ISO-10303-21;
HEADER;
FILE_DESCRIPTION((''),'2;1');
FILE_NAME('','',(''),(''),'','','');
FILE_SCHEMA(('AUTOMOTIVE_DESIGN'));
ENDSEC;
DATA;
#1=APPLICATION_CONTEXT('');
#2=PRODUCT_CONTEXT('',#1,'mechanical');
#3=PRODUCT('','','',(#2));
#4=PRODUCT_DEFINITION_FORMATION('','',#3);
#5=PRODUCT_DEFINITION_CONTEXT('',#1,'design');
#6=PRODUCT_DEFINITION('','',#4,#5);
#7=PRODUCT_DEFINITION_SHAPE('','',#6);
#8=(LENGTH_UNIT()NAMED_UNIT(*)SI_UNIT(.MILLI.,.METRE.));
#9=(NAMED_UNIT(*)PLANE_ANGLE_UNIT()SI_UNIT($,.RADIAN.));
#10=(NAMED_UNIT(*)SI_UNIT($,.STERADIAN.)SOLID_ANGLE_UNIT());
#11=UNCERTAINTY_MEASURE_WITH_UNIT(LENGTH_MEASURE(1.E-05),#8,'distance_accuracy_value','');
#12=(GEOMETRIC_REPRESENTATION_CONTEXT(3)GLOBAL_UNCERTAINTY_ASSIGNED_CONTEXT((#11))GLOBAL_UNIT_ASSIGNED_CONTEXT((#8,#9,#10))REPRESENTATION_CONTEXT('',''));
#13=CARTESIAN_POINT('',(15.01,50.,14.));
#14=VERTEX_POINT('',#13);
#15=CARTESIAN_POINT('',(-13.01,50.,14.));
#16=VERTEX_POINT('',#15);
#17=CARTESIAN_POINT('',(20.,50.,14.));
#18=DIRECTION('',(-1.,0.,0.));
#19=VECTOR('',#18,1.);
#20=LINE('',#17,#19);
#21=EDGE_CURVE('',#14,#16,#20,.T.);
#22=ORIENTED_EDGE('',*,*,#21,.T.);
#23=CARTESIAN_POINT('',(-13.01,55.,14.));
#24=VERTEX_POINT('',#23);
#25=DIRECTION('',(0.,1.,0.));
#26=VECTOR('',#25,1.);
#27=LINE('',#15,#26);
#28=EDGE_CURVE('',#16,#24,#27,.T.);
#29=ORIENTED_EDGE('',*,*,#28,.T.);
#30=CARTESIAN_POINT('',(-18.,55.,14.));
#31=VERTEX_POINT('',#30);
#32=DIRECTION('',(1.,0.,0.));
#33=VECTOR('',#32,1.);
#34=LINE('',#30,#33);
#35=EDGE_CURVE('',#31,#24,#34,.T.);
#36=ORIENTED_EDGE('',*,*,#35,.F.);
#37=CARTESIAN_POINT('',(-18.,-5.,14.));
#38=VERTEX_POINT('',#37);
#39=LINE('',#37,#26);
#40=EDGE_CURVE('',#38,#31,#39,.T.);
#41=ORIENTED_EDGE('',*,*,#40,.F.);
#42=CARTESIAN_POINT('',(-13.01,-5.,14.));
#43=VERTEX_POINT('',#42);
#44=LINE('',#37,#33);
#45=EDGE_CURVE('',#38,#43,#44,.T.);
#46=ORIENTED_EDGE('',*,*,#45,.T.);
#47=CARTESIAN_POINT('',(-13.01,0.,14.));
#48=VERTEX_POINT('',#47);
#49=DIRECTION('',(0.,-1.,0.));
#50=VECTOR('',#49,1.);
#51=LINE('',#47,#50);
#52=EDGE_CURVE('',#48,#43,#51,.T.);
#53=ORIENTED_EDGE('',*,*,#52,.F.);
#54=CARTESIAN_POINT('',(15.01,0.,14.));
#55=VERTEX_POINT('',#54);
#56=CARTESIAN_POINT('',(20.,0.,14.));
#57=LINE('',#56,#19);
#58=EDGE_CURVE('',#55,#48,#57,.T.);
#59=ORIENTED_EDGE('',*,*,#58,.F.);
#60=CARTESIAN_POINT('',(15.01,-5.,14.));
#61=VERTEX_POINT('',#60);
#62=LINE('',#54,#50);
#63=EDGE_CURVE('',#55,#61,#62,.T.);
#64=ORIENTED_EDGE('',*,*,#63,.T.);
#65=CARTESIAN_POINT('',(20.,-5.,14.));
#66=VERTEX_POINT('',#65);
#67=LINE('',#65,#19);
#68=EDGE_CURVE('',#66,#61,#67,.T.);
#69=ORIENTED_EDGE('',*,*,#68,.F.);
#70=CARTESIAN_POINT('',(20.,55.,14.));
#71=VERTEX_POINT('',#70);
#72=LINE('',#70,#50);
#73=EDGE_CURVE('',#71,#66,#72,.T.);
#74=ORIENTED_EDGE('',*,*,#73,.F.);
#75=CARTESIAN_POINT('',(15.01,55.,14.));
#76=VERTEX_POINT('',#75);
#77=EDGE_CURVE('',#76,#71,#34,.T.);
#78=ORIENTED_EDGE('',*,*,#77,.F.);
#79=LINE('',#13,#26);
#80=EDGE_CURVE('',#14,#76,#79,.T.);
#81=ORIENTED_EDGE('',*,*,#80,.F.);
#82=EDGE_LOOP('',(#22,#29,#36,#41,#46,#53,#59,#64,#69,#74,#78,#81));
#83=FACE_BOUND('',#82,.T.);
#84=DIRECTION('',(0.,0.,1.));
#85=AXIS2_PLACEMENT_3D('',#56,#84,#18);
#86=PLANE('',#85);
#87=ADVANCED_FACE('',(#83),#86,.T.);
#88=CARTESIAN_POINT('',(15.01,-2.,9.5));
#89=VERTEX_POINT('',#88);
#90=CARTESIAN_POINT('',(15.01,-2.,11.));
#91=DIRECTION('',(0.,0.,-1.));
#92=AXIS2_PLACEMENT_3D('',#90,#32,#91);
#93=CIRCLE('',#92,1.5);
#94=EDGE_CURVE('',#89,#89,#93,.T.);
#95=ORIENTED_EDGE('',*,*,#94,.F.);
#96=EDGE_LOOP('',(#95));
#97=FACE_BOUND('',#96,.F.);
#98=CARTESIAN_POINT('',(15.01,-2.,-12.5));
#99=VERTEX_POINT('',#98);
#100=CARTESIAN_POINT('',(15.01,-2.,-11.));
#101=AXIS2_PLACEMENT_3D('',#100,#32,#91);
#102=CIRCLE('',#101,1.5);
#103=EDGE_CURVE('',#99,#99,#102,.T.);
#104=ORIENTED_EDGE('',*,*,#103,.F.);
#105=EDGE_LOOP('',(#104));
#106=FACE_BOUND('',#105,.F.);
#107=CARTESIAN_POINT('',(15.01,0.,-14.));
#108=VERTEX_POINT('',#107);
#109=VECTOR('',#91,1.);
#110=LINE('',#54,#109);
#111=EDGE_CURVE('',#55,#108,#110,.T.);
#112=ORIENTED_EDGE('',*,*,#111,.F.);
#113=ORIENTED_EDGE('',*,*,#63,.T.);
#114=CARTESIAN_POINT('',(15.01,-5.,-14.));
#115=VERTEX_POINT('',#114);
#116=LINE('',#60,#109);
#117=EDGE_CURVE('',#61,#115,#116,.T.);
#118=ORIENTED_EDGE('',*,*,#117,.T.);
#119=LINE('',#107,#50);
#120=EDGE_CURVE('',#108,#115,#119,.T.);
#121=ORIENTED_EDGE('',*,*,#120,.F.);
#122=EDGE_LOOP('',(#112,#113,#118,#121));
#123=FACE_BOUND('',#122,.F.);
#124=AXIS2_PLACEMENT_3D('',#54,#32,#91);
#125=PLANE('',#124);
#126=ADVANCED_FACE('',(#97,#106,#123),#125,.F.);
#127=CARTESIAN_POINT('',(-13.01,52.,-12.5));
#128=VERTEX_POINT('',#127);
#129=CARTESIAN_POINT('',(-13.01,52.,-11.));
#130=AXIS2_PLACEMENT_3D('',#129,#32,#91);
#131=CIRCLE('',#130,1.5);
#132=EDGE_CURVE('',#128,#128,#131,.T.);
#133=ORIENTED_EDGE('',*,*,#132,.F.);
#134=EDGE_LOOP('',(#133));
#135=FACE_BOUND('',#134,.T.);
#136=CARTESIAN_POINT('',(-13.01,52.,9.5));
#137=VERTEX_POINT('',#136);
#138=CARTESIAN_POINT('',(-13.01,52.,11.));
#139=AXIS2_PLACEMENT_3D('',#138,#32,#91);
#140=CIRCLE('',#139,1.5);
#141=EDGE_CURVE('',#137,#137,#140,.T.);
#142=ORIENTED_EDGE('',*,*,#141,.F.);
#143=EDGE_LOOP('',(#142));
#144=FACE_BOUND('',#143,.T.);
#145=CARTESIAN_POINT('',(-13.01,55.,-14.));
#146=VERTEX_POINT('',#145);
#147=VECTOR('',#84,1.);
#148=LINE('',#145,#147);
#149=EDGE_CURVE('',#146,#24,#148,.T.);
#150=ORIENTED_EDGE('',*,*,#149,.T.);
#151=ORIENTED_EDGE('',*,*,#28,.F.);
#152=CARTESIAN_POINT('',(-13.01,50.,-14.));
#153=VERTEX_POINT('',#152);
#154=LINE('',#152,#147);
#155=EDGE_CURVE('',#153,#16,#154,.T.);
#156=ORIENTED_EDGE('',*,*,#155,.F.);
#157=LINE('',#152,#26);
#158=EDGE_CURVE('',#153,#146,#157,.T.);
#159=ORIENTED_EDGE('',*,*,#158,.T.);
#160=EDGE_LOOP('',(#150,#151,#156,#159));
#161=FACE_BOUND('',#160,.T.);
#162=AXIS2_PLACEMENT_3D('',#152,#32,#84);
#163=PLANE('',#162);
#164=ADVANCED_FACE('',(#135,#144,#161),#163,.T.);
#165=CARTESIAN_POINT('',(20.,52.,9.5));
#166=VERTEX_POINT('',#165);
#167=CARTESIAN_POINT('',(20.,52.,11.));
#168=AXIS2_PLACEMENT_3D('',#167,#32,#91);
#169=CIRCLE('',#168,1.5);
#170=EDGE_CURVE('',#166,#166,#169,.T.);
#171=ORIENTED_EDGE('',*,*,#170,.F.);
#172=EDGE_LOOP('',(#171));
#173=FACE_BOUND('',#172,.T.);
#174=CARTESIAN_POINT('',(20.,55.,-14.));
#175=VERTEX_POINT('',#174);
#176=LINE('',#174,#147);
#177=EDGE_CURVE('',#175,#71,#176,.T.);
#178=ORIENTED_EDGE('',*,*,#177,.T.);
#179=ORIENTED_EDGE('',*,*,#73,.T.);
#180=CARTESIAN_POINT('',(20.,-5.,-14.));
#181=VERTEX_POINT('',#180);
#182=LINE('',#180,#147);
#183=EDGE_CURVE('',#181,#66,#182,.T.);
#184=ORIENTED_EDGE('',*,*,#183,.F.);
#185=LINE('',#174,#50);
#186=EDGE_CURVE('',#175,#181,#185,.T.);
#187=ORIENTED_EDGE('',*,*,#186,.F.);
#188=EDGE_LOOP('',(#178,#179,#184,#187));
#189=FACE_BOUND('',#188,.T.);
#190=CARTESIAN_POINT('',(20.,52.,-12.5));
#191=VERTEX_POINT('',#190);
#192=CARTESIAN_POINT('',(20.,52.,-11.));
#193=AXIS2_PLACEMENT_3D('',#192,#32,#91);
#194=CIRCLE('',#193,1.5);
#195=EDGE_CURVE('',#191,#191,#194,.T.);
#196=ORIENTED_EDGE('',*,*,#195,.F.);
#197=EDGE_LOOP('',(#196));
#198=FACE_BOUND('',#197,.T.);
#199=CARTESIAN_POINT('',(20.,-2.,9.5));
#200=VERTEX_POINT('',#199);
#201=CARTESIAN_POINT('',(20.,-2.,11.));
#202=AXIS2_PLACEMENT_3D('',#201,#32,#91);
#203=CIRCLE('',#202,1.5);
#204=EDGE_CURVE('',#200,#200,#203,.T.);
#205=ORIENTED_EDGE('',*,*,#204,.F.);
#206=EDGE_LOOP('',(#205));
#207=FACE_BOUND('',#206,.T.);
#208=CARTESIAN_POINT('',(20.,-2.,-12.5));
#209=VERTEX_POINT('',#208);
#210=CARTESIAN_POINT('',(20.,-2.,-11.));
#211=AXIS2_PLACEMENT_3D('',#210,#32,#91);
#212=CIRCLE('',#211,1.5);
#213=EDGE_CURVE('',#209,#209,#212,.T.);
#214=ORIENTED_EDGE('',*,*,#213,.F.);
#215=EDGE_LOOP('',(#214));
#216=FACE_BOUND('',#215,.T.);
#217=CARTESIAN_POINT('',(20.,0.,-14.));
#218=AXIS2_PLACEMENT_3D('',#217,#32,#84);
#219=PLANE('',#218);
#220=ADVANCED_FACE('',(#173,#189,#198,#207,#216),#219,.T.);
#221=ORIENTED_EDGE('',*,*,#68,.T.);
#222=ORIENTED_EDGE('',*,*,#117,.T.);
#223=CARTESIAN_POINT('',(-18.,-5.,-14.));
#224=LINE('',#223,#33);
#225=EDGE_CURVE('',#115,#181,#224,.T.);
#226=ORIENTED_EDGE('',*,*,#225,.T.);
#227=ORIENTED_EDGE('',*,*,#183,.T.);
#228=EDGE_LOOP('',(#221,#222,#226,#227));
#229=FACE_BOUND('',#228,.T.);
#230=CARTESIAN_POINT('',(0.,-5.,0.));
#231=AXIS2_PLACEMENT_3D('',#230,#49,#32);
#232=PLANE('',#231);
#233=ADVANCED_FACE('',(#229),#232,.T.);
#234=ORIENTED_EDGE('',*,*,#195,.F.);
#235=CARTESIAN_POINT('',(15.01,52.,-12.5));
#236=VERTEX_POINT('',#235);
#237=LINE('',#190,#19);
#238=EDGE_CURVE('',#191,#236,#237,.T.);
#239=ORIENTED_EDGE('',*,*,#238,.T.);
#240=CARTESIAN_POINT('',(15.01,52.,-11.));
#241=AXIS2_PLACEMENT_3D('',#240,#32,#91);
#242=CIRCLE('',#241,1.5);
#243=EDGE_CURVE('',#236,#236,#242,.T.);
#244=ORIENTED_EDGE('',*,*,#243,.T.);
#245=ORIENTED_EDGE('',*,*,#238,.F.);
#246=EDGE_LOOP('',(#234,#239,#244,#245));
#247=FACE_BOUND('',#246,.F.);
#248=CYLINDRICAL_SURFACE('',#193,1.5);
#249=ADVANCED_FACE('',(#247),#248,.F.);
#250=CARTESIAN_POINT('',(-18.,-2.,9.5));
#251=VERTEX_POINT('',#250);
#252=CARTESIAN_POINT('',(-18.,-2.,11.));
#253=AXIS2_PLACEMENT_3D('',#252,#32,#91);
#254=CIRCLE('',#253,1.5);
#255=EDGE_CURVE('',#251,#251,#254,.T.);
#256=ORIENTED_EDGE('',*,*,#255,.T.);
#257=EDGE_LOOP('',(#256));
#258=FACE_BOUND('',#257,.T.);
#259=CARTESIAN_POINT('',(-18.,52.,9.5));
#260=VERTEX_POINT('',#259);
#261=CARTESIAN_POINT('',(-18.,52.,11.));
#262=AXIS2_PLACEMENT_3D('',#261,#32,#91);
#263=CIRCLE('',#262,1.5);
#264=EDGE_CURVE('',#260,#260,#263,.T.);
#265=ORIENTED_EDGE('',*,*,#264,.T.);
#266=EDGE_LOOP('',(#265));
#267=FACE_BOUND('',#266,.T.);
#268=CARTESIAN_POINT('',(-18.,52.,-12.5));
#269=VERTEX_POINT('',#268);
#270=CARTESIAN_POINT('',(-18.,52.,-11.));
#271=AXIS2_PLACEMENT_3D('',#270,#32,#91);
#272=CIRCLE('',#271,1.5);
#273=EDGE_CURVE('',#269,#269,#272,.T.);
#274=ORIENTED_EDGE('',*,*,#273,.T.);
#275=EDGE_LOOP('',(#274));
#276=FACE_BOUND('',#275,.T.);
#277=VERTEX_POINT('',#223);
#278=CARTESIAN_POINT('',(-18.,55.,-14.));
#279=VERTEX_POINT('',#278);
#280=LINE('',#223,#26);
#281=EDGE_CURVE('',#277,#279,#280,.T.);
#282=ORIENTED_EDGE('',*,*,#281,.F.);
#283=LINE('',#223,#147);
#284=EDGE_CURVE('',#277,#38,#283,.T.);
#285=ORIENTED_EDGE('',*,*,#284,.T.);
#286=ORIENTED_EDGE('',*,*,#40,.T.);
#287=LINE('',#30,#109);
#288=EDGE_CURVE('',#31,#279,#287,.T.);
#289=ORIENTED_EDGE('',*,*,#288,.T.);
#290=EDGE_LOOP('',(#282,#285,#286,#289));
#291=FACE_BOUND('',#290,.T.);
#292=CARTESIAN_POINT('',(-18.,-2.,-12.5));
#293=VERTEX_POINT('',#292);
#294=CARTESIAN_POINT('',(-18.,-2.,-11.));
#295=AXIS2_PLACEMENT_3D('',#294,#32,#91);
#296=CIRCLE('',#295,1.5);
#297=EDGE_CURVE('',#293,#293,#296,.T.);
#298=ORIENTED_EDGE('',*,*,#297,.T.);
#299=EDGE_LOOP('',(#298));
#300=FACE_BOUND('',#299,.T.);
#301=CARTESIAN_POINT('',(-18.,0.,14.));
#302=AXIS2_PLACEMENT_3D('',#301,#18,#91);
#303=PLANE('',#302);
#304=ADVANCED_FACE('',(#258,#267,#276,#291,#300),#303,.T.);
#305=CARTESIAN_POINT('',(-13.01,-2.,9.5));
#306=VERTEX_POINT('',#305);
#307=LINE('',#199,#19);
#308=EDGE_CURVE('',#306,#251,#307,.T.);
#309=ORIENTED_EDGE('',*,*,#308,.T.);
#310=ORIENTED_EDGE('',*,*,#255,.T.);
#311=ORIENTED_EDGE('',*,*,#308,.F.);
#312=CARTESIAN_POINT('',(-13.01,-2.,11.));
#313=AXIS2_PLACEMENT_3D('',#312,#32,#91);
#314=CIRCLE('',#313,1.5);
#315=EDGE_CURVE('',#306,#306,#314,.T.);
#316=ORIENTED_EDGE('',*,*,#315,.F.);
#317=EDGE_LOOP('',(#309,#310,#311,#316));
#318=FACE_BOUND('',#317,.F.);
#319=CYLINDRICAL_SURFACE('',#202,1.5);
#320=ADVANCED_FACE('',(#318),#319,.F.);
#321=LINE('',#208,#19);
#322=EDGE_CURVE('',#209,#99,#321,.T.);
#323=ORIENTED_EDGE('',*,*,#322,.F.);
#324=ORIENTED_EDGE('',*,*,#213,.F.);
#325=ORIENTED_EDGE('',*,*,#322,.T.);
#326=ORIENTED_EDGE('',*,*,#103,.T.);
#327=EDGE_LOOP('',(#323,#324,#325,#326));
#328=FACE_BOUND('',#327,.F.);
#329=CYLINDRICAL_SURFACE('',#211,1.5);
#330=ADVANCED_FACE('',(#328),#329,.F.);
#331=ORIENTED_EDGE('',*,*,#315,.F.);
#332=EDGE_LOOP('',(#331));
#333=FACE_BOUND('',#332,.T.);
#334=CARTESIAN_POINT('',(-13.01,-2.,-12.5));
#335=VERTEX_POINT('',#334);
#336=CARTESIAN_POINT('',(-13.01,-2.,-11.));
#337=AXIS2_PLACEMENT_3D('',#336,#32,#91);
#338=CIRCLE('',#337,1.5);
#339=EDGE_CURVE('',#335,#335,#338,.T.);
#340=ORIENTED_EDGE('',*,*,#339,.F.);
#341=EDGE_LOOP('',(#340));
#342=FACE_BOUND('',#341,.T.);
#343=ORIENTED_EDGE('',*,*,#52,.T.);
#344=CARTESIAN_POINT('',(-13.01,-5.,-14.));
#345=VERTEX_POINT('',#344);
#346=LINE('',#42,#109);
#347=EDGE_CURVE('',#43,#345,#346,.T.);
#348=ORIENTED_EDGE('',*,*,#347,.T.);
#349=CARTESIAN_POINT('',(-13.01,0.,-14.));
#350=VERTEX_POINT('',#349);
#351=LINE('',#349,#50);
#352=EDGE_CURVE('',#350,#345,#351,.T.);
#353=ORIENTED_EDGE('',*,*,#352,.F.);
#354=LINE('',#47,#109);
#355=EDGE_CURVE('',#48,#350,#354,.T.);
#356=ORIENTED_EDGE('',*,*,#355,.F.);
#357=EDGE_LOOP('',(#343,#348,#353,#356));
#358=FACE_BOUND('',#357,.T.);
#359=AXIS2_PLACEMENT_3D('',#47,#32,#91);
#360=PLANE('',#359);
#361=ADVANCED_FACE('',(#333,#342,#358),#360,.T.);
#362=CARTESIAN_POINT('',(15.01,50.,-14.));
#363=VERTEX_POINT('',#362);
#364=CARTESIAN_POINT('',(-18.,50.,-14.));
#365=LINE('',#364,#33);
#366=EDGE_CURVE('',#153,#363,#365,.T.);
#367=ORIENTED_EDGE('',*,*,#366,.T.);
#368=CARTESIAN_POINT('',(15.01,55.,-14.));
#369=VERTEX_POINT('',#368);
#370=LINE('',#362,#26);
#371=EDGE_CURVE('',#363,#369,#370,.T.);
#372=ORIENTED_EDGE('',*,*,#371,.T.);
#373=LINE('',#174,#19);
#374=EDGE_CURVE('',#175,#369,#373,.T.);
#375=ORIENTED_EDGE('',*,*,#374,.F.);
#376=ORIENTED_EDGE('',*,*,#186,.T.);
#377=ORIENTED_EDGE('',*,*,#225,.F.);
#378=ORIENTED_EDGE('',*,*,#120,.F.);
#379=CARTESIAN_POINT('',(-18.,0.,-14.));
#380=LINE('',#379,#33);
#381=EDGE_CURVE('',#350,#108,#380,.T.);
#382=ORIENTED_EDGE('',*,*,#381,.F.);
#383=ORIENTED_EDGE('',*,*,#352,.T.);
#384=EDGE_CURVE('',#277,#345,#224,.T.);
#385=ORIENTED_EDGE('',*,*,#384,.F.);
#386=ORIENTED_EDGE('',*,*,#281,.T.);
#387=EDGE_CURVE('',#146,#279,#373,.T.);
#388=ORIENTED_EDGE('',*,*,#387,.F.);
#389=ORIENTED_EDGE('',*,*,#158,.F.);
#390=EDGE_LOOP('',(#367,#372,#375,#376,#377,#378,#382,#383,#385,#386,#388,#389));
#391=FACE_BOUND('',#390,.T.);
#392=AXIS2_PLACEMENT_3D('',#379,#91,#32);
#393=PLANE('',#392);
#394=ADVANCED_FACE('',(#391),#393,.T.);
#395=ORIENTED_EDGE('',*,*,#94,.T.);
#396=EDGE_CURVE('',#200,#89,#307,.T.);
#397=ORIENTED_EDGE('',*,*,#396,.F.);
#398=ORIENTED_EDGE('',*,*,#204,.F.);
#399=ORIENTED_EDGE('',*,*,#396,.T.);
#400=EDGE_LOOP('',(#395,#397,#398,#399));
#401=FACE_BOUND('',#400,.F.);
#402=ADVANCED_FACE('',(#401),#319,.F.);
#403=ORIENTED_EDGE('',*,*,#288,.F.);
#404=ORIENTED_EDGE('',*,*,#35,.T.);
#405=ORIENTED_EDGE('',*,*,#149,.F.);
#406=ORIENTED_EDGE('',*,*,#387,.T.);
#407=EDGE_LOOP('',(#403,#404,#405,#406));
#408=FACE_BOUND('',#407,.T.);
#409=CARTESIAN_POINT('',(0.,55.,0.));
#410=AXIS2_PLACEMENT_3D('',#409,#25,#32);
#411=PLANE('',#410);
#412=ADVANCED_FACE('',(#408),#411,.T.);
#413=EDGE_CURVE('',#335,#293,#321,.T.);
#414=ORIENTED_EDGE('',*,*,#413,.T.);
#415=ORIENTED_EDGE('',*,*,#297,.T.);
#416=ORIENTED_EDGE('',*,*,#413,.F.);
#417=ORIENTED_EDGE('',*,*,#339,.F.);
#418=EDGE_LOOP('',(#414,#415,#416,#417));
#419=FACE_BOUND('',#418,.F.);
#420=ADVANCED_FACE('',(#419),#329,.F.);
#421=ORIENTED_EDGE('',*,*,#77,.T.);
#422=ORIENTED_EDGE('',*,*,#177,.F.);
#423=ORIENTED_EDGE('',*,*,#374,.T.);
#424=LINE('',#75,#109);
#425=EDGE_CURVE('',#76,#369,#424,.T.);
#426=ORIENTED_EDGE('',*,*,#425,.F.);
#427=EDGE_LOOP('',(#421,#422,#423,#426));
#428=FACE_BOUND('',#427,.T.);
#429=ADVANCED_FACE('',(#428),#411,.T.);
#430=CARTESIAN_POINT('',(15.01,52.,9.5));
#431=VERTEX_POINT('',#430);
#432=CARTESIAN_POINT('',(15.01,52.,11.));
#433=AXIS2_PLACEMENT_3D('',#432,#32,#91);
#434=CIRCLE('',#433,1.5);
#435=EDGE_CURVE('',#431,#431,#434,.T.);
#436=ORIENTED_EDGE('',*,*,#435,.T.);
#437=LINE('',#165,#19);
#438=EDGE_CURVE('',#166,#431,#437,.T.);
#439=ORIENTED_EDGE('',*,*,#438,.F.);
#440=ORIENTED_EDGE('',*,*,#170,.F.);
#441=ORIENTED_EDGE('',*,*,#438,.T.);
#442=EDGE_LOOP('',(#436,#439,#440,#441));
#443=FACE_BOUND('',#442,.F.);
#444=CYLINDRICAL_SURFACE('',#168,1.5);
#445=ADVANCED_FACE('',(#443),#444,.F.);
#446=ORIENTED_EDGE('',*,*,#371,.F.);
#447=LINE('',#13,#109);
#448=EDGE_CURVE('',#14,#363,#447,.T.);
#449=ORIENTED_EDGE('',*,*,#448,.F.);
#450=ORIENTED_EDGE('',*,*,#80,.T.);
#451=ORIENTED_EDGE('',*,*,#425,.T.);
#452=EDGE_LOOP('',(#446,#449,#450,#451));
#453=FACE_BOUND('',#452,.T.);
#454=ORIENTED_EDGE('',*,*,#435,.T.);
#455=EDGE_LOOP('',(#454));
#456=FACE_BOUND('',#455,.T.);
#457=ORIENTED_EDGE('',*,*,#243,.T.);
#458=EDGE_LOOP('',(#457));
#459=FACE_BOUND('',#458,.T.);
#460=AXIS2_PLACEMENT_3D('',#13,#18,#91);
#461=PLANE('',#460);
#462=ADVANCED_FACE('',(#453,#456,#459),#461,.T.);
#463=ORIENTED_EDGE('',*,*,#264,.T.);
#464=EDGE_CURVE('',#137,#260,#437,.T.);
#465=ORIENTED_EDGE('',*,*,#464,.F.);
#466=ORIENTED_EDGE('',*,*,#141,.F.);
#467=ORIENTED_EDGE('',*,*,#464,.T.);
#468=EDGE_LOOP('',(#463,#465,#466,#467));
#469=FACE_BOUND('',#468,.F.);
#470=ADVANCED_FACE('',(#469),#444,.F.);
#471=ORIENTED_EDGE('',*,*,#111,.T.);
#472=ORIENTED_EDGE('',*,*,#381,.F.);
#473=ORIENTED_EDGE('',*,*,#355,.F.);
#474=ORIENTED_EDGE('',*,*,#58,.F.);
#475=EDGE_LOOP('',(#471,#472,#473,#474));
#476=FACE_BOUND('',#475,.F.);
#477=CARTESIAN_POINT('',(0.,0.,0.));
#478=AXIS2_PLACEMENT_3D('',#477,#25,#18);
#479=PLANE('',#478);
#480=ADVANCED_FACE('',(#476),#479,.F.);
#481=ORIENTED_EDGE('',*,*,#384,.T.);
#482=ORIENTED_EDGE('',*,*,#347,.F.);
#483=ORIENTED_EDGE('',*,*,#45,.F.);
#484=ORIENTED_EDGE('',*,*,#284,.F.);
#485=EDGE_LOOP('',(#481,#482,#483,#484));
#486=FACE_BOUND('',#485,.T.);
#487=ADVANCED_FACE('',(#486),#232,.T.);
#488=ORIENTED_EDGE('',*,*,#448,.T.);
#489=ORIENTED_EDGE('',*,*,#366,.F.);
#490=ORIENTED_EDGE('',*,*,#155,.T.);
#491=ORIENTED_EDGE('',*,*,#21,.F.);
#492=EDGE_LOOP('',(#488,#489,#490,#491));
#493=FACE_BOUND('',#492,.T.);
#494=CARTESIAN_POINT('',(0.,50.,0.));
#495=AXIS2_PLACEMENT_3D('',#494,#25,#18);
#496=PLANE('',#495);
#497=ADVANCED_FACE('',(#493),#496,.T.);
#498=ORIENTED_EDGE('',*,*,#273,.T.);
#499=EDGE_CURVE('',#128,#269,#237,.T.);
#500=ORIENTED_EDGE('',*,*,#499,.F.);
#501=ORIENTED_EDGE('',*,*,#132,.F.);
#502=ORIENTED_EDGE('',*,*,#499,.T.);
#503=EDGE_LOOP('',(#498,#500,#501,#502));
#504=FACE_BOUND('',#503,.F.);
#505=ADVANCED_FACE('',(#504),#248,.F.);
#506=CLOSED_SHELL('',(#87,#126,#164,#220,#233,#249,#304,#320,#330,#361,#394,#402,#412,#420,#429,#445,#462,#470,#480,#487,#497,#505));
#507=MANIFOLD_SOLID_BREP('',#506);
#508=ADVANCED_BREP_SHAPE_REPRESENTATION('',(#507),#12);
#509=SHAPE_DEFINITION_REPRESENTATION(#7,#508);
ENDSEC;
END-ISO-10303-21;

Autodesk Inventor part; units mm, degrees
ref_plane "YZ Plane" through (0, 0, 0) normal (1, 0, 0) x (0, 1, 0)
ref_plane "XZ Plane" through (0, 0, 0) normal (0, 1, 0) x (-1, 0, 0)
ref_plane "XY Plane" through (0, 0, 0) normal (0, 0, 1) x (1, 0, 0)
sketch "스케치1" plane through (0, 0, 0) normal (0, 1, 0) x (-1, 0, 0)
  line L0 (18, -14) -> (-20, -14)
  line L1 (-20, -14) -> (-20, 14)
  line L2 (-20, 14) -> (18, 14)
  line L3 (18, 14) -> (18, -14)
  point P0 (0, 0)
  dimension "d0" = 28
  dimension "d1" = 14
  dimension "d2" = 38
  dimension "d3" = 18
extrude "돌출1" add sketch "스케치1" along normal blind 50
sketch "스케치2" plane through (0, 50, 0) normal (0, 1, 0) x (1, 0, 0)
  line L0 (20, 14) -> (-18, 14) projected
  line L1 (-18, -14) -> (20, -14) projected
  line L2 (-18, 14) -> (-13.01, 14)
  line L3 (-13.01, 14) -> (-13.01, -14)
  line L4 (-13.01, -14) -> (-18, -14)
  line L5 (-18, -14) -> (-18, 14)
  line L6 (20, -14) -> (15.01, -14)
  line L7 (15.01, -14) -> (15.01, 14)
  line L8 (15.01, 14) -> (20, 14)
  line L9 (20, 14) -> (20, -14)
  point P0 (0, 0)
  dimension "d6" = 4.99
  dimension "d7" = 4.99
extrude "돌출2" add sketch "스케치2" along normal blind 5 contours L9 L1 L7 L0 | L3 L1 L5 L0
sketch "스케치4" plane through (20, 0, 14) normal (1, 0, 0) x (0, 0, -1)
  circle A0 centre (3, 52) radius 1.5
  circle A1 centre (25, 52) radius 1.5
  line L0 (0, 55) -> (28, 55) projected
  line L1 (28, 0) -> (28, 55) projected
  line L2 (0, 0) -> (0, 55) projected
  point P0 (14, 0)
  dimension "d24" = 3
  dimension "d25" = 3
  dimension "d26" = 3
  dimension "d27" = 3
  dimension "d28" = 3
  dimension "d29" = 3
extrude "돌출4" cut sketch "스케치4" against normal blind 80
sketch "스케치5" plane through (0, 0, 0) normal (0, -1, 0) x (1, 0, 0)
  line L0 (20, -14) -> (20, 14) projected
  line L1 (-18, -14) -> (20, -14) projected
  line L2 (20, 14) -> (15.01, 14)
  line L3 (15.01, 14) -> (15.01, -14)
  line L4 (15.01, -14) -> (20, -14)
  line L5 (20, -14) -> (20, 14)
  line L6 (-18, 14) -> (-13.01, 14)
  line L7 (-13.01, 14) -> (-13.01, -14)
  line L8 (-13.01, -14) -> (-18, -14)
  line L9 (-18, -14) -> (-18, 14)
  point P0 (0, 0)
  dimension "d32" = 4.99
  dimension "d33" = 4.99
extrude "돌출5" add sketch "스케치5" along normal blind 5
sketch "스케치6" plane through (20, 55, 14) normal (1, 0, 0) x (0, 0, -1)
  circle A0 centre (25, -57) radius 1.5
  circle A1 centre (3, -57) radius 1.5
  line L0 (28, -60) -> (0, -60) projected
  line L1 (28, 0) -> (28, -60) projected
  line L2 (0, 0) -> (0, -60) projected
  point P0 (14, -55)
  dimension "d36" = 3
  dimension "d37" = 3
  dimension "d38" = 3
  dimension "d39" = 3
  dimension "d40" = 3
  dimension "d41" = 3
extrude "돌출6" cut sketch "스케치6" against normal blind 80
properties part number "upperarm"
